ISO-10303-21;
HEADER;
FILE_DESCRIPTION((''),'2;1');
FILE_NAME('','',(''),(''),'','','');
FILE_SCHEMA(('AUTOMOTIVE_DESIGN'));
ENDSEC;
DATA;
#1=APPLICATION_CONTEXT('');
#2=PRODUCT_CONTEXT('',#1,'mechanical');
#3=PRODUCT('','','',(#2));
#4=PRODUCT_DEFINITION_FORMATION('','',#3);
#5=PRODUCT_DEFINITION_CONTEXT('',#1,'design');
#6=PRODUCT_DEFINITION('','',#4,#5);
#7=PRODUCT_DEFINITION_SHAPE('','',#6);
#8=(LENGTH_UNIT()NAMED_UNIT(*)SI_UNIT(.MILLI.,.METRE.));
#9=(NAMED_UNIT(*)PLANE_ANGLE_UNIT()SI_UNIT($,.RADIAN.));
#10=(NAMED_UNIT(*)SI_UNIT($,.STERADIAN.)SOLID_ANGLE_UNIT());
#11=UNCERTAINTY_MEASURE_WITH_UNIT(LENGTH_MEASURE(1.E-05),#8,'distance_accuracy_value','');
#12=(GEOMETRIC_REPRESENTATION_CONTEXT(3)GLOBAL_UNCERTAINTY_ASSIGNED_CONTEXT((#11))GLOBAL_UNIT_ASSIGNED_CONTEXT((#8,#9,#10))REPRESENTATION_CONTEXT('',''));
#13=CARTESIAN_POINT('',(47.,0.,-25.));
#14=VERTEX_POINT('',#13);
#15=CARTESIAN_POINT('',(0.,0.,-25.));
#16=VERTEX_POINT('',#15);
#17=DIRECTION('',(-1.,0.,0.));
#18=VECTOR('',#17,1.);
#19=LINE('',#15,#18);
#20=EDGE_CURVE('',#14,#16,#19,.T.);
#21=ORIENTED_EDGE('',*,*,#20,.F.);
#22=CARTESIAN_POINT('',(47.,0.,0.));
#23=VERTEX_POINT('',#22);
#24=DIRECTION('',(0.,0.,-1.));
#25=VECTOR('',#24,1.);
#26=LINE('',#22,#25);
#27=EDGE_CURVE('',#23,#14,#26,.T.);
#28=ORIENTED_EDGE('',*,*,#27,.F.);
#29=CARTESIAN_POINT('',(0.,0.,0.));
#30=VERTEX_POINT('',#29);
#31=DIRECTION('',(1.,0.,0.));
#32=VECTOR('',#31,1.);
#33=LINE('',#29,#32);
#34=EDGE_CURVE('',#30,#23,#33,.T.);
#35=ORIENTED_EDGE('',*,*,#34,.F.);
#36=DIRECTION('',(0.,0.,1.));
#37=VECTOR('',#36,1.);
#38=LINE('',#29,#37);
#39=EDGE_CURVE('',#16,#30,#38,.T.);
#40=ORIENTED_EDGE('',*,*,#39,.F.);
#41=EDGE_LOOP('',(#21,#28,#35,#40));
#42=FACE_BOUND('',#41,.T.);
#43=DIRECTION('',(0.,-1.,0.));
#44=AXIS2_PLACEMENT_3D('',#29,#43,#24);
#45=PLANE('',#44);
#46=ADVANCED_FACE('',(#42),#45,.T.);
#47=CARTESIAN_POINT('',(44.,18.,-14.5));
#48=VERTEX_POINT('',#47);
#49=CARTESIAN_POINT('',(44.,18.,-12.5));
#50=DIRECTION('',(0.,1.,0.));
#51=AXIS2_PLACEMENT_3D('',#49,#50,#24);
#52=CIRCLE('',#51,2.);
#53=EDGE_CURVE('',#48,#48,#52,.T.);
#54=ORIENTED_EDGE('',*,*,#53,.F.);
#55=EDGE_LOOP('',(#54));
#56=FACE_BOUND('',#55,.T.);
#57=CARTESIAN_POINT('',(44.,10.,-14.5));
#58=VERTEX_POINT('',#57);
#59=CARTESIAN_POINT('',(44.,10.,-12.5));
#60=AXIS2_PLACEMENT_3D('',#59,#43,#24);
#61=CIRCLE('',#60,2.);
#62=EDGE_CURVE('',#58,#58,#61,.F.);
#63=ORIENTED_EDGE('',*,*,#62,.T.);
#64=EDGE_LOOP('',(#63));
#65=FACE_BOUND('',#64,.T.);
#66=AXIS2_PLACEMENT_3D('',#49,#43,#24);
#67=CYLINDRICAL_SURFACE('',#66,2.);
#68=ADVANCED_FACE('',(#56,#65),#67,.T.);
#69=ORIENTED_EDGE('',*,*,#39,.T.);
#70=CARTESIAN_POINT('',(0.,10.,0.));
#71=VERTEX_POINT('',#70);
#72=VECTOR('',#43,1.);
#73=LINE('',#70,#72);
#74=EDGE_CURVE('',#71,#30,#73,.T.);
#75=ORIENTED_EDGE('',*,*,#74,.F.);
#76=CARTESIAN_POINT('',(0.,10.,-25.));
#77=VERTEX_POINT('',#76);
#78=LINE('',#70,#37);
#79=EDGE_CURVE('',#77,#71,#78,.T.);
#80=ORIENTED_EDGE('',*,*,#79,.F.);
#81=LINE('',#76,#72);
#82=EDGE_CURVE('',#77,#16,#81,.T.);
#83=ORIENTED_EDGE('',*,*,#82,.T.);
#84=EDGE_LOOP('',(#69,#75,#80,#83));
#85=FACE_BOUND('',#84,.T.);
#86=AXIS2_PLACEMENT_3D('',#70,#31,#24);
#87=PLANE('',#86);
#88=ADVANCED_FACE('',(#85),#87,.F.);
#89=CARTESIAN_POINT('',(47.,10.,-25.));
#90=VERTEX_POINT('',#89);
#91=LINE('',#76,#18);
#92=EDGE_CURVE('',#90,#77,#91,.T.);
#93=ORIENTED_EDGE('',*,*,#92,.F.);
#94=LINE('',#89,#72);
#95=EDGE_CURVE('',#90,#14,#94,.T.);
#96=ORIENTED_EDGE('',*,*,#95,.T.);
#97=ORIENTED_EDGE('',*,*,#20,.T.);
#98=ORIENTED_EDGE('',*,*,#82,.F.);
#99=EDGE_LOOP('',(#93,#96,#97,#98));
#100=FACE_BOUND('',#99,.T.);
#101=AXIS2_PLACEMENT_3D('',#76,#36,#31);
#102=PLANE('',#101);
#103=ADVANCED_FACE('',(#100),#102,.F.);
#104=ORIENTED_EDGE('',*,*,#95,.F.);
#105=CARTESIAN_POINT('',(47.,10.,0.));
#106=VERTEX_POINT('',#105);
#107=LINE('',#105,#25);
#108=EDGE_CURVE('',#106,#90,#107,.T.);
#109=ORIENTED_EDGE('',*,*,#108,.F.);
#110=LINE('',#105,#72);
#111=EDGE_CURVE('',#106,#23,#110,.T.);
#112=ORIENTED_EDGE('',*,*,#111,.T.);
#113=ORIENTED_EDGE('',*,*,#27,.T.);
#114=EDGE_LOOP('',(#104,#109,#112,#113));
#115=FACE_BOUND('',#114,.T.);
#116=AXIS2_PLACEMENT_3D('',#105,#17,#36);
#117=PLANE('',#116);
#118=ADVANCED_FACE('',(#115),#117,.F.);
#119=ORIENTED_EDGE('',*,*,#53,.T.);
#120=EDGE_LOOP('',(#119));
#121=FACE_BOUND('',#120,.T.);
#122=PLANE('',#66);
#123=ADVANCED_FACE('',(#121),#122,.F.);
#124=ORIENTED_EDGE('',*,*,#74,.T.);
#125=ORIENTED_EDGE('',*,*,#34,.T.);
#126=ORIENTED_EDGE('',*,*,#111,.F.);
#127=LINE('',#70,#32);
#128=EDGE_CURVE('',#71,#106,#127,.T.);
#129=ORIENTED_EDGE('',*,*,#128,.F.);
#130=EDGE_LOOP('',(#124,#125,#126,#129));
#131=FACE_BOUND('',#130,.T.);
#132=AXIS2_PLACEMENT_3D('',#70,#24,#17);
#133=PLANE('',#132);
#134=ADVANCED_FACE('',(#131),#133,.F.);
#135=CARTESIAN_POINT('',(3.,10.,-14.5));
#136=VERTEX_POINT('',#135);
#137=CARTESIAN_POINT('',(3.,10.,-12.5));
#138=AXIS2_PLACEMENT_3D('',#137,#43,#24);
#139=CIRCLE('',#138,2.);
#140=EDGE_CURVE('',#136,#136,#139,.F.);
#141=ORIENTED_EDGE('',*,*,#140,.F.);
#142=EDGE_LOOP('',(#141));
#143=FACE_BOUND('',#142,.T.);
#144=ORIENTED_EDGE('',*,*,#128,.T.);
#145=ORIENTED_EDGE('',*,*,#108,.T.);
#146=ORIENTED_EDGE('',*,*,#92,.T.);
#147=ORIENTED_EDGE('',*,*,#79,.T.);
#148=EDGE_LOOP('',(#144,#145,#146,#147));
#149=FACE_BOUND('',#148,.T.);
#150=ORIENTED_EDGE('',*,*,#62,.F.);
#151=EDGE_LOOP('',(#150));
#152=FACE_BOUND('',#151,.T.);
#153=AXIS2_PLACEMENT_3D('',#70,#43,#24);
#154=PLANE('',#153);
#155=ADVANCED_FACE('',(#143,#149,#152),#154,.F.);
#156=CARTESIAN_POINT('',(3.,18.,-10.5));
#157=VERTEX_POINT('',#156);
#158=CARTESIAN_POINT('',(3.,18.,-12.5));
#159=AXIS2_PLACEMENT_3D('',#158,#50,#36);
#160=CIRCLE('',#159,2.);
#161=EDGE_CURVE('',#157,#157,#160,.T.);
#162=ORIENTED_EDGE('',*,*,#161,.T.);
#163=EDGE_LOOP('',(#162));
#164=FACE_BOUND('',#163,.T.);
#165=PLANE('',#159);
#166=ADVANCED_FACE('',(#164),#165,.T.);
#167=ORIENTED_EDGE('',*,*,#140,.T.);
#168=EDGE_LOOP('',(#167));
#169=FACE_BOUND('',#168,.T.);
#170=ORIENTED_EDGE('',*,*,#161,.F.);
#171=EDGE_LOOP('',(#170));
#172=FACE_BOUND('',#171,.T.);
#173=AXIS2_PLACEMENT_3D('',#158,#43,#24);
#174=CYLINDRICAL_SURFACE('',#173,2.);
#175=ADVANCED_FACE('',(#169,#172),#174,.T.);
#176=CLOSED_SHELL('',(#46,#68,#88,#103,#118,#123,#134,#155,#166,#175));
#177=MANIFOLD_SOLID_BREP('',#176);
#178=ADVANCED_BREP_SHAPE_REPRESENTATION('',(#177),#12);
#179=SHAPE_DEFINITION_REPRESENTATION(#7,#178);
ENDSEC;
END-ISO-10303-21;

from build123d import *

# Parameters (mm, degrees)
SKETCH1_W           = 47
SKETCH1_H           = 25
BOSS_EXTRUDE1_DEPTH = 10
SKETCH2_R           = 2
BOSS_EXTRUDE2_DEPTH = 8


with BuildPart() as part:
    # Sketch1 → Boss-Extrude1 (new body)
    with BuildSketch(Plane(origin=(0, 0, 0), x_dir=(1, 0, 0), z_dir=(0, 1, 0))):
        with Locations((23.5, 12.5)):
            Rectangle(SKETCH1_W, SKETCH1_H)
    extrude(amount=BOSS_EXTRUDE1_DEPTH)

    # Sketch2 → Boss-Extrude2 (add)
    with BuildSketch(Plane(origin=(0, 10, 0), x_dir=(1, 0, 0), z_dir=(0, 1, 0))):
        with Locations(Location((3, 12.5, 0), (0, 0, 90))):
            Circle(SKETCH2_R)
        with Locations(Location((44, 12.5, 0), (0, 0, 90))):
            Circle(SKETCH2_R)
    extrude(amount=BOSS_EXTRUDE2_DEPTH)


solid = part.part
